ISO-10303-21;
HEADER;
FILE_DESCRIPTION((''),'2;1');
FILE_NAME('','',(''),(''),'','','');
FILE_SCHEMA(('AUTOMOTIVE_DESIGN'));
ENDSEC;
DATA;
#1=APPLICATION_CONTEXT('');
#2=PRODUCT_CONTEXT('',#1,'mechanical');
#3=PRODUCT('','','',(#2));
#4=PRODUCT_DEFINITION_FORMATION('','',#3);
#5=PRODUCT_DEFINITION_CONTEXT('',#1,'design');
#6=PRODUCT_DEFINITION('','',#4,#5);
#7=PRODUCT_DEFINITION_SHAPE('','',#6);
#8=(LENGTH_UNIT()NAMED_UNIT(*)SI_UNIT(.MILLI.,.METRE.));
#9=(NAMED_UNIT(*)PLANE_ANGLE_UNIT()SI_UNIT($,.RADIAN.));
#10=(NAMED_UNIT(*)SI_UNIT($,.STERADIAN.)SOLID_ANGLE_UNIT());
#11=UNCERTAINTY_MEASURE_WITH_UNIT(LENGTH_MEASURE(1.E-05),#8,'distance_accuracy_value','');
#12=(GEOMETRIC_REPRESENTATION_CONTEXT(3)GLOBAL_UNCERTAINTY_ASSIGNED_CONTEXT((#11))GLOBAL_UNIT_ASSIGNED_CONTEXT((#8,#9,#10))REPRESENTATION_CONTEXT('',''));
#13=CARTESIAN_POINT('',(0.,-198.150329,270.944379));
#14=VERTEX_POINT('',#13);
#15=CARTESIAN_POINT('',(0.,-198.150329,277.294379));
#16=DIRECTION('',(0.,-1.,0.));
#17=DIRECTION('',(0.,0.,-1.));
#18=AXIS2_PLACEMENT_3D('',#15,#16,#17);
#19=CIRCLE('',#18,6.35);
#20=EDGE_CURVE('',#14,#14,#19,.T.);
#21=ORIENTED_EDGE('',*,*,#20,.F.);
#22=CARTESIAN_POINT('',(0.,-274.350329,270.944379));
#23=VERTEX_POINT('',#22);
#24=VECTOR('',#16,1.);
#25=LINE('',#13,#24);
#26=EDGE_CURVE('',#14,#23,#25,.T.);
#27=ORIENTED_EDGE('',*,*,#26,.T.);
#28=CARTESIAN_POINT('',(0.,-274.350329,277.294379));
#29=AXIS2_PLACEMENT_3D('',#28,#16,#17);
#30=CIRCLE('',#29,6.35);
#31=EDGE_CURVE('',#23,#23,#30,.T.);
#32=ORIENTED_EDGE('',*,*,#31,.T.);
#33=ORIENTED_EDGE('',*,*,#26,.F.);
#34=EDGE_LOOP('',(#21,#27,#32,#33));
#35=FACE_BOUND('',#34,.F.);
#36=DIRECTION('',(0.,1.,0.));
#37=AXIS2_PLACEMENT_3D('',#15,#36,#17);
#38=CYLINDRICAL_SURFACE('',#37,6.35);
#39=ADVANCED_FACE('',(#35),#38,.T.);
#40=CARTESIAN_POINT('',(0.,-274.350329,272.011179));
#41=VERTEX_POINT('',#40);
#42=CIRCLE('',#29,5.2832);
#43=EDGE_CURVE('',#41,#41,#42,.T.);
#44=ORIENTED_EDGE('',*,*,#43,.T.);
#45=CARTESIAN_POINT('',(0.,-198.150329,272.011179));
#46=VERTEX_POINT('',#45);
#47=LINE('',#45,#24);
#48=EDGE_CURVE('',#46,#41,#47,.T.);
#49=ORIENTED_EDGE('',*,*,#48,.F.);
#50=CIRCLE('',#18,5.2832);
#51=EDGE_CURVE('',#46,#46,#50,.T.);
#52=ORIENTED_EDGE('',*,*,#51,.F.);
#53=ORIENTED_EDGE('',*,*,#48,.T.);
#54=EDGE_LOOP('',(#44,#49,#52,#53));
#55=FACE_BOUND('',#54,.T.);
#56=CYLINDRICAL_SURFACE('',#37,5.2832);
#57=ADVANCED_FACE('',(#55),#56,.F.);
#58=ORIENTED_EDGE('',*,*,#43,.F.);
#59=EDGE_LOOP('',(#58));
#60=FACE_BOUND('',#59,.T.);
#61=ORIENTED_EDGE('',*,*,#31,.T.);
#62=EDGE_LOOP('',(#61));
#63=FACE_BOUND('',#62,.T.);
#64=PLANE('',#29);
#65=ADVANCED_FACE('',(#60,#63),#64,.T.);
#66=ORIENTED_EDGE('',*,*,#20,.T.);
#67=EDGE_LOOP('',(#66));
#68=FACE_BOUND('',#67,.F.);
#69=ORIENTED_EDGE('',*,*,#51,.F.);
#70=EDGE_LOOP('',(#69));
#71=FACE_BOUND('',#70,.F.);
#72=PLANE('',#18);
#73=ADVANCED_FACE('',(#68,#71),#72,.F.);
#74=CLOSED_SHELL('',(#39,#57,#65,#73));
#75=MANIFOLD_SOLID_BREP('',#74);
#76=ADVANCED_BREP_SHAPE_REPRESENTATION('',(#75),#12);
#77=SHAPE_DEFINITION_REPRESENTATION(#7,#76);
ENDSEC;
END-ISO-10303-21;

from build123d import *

# Parameters (mm, degrees)
SKETCH11_R              = 6.35
SKETCH11_R_2            = 5.2832
PIPE_0_5_SCH_40_1_DEPTH = 76.2


with BuildPart() as part:
    # Sketch11 → Pipe 0.5 SCH 40(1) (new body)
    with BuildSketch(Plane(origin=(0, -198.15032918, 277.294378666), x_dir=(0, 0, -1), z_dir=(0, -1, 0))):
        Circle(SKETCH11_R)
        Circle(SKETCH11_R_2, mode=Mode.SUBTRACT)
    extrude(amount=PIPE_0_5_SCH_40_1_DEPTH)


solid = part.part
